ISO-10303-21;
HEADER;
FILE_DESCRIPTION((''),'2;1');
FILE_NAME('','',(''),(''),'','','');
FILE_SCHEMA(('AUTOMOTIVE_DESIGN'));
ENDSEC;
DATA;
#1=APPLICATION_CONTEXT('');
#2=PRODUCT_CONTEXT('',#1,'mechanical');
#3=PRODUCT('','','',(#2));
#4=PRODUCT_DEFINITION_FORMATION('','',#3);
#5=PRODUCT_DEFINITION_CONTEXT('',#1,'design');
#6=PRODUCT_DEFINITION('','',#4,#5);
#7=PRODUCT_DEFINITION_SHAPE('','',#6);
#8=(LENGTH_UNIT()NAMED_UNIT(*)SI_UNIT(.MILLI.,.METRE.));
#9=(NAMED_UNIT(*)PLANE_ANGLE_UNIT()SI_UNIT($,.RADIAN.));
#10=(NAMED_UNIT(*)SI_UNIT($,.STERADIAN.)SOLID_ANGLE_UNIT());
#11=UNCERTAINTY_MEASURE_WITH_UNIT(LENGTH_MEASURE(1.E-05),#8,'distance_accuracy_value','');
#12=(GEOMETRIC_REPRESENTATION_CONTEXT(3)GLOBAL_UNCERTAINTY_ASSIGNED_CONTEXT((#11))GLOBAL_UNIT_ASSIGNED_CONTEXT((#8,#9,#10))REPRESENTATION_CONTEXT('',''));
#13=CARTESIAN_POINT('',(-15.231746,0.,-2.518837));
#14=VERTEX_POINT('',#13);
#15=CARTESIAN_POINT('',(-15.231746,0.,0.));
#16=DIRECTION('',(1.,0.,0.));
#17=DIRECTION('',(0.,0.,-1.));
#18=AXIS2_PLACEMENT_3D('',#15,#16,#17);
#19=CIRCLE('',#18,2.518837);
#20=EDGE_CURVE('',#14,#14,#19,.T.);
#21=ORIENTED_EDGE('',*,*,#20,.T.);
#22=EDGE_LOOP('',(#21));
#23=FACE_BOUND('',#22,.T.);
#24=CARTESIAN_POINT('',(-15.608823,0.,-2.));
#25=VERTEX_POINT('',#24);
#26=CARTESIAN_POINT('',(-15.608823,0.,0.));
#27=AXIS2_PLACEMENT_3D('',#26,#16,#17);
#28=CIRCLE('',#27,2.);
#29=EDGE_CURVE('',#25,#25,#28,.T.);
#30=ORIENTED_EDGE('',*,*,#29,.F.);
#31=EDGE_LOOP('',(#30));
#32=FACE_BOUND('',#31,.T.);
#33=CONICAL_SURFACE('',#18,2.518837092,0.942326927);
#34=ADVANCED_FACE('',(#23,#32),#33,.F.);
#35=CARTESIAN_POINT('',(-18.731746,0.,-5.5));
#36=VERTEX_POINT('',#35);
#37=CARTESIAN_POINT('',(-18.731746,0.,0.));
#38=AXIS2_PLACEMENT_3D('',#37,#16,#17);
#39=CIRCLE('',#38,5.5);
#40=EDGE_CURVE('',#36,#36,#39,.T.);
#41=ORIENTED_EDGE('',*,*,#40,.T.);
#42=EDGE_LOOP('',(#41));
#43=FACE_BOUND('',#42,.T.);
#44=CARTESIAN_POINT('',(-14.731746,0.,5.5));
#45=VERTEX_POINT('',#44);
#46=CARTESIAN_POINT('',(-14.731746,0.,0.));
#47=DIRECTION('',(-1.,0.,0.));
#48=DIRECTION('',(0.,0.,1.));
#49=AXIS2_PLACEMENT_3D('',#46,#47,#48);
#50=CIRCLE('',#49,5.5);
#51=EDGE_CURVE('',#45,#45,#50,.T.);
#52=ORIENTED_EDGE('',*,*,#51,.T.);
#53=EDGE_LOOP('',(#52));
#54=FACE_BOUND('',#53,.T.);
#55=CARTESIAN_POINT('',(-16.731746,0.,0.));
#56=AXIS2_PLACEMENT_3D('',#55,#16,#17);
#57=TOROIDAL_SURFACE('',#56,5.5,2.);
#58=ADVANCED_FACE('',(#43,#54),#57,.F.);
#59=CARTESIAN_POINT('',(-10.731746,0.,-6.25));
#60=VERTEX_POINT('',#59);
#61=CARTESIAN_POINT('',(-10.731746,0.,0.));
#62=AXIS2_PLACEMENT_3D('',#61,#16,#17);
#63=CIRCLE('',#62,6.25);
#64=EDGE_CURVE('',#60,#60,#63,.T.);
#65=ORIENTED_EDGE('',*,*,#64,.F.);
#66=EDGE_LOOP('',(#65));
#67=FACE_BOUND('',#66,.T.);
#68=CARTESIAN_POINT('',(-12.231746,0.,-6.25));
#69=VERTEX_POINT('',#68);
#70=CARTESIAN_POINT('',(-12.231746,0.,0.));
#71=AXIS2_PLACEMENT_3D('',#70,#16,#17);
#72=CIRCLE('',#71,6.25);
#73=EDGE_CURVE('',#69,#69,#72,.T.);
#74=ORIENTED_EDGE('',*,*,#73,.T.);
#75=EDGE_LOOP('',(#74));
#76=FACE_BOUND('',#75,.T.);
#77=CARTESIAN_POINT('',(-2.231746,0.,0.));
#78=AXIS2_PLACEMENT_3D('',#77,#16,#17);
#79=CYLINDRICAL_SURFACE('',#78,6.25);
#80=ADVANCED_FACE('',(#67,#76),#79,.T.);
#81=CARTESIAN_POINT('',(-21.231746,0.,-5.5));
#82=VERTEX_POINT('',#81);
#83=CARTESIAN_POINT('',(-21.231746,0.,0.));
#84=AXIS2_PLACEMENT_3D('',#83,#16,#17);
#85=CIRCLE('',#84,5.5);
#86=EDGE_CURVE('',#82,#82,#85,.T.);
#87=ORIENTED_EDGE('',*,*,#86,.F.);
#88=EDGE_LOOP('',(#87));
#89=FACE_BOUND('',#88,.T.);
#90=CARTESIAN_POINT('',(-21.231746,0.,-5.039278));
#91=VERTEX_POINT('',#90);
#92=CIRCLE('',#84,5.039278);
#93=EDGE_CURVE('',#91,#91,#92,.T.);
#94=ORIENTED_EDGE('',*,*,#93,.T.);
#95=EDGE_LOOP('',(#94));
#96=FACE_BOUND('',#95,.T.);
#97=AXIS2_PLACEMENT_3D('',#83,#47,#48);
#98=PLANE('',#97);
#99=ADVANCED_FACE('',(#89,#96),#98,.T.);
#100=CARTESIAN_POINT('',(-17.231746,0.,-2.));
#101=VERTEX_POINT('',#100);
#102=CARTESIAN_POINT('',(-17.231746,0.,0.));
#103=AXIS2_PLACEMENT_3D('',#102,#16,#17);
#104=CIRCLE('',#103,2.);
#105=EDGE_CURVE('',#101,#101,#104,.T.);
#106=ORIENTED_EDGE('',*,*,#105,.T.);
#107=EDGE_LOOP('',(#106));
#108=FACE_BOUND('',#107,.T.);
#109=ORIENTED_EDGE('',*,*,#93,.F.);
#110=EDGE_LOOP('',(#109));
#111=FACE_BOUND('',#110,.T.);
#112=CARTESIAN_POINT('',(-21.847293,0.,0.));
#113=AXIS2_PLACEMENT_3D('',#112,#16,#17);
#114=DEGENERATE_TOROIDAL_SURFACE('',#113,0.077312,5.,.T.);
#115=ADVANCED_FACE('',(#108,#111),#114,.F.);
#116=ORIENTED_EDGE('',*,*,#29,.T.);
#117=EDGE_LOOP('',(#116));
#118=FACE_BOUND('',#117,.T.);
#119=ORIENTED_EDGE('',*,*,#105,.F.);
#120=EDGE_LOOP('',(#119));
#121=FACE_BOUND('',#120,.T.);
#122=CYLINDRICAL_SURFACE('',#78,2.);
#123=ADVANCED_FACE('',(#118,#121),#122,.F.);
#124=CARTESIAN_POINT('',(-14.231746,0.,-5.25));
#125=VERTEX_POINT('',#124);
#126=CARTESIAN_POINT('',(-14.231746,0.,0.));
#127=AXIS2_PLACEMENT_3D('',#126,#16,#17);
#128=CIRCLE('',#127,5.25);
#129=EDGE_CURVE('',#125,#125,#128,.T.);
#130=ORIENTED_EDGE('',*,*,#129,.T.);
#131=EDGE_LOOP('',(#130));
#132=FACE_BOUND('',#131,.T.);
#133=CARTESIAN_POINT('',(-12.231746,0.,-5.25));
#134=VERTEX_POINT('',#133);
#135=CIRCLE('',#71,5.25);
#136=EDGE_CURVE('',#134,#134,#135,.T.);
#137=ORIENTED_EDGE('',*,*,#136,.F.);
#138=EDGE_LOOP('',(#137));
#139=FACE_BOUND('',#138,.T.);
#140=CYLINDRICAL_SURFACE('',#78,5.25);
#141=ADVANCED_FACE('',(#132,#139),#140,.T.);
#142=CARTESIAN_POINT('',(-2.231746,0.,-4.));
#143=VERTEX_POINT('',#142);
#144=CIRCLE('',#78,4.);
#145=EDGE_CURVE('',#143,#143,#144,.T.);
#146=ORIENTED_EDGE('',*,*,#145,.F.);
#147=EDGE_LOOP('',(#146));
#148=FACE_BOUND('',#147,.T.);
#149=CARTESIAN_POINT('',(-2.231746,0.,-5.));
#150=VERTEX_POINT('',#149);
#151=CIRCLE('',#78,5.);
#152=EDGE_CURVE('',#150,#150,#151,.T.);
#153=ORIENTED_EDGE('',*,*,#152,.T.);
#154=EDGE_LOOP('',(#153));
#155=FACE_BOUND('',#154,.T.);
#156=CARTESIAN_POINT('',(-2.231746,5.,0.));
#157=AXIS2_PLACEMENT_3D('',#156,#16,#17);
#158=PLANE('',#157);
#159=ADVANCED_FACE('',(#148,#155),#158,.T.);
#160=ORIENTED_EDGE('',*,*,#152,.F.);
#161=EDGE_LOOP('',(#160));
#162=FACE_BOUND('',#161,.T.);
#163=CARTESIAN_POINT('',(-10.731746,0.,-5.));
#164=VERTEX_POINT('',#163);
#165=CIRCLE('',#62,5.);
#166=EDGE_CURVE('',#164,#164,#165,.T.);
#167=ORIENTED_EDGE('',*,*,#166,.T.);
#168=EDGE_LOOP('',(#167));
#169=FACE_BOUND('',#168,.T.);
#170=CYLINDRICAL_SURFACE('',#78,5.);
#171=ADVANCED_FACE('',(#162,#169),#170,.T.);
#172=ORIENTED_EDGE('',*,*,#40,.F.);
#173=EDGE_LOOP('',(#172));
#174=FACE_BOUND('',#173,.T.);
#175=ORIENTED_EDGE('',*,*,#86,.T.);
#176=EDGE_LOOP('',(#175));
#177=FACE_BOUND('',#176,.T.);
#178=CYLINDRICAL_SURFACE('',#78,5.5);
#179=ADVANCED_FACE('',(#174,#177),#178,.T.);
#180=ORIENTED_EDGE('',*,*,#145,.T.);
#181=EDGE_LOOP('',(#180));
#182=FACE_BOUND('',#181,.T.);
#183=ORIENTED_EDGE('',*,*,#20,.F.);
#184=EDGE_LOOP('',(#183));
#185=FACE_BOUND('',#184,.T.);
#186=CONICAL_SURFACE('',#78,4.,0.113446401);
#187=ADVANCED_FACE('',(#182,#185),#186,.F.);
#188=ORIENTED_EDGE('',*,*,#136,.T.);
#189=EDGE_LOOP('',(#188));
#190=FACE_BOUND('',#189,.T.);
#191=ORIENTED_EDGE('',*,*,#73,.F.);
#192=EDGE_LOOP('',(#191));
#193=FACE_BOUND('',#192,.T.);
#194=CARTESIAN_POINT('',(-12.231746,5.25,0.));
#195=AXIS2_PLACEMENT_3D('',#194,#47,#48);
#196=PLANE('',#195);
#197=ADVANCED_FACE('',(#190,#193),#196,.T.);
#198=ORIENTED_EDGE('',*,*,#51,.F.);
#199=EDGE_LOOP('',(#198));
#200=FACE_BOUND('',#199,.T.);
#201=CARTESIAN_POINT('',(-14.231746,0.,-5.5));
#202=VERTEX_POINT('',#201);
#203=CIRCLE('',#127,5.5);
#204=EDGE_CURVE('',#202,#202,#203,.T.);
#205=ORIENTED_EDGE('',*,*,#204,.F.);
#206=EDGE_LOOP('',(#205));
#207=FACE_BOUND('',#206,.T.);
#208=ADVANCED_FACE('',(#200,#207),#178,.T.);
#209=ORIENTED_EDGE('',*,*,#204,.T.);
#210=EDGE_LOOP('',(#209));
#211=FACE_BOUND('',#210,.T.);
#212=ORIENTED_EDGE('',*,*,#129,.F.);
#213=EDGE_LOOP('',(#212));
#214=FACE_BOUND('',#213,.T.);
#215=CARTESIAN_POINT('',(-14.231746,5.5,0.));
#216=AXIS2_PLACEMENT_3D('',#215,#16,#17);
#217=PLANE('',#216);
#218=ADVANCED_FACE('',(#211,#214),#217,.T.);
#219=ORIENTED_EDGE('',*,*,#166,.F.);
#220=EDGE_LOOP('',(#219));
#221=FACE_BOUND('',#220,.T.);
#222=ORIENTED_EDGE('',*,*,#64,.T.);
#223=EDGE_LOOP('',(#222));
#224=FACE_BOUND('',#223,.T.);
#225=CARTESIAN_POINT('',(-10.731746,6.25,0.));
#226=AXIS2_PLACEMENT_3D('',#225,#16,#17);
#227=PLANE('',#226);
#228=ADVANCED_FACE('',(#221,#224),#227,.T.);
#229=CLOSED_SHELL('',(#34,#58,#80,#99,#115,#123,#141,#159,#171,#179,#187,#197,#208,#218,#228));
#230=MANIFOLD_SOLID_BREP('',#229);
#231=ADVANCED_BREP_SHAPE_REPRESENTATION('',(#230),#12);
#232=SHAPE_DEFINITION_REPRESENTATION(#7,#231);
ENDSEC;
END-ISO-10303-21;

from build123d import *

# Parameters (mm, degrees)
SKETCH_2_R = 2


with BuildPart() as part:
    # Эскиз1 → Повернуть1 (revolve)
    with BuildSketch(Plane.XY, mode=Mode.PRIVATE) as revolve_1_sk:
        Polygon((-2.231746032, 0), (-21.231746032, 0), (-21.231746032, 5.5), (-14.231746032, 5.5), (-14.231746032, 5.25), (-12.231746032, 5.25), (-12.231746032, 6.25), (-10.731746032, 6.25), (-10.731746032, 5), (-2.231746032, 5), align=None)
    revolve(revolve_1_sk.sketch.rotate(Axis((-2.231746032, 0, 0), (-1, 0, 0)), 90), axis=Axis((-2.231746032, 0, 0), (-1, 0, 0)))

    # Эскиз2 → Вырез-Повернуть2 (revolve, cut)
    with BuildSketch(Plane.XY, mode=Mode.PRIVATE) as cut_revolve_2_sk:
        with Locations((-16.731746032, 5.5)):
            Circle(SKETCH_2_R)
        with BuildLine():
            Line((-2.231746032, 0), (-21.231746032, 0))
            Line((-21.231746032, 0), (-21.231746032, 5.039277614))
            ThreePointArc((-21.231746032, 5.039277614), (-18.822332125, 4.058469356), (-17.231746032, 2))
            Line((-17.231746032, 2), (-15.608822853, 2))
            Line((-15.608822853, 2), (-15.231746032, 2.518837092))
            Line((-15.231746032, 2.518837092), (-2.231746032, 4))
            Line((-2.231746032, 4), (-2.231746032, 0))
        make_face()
    revolve(cut_revolve_2_sk.sketch.rotate(Axis((-2.231746032, 0, 0), (-1, 0, 0)), 90), axis=Axis((-2.231746032, 0, 0), (-1, 0, 0)), mode=Mode.SUBTRACT)


solid = part.part
